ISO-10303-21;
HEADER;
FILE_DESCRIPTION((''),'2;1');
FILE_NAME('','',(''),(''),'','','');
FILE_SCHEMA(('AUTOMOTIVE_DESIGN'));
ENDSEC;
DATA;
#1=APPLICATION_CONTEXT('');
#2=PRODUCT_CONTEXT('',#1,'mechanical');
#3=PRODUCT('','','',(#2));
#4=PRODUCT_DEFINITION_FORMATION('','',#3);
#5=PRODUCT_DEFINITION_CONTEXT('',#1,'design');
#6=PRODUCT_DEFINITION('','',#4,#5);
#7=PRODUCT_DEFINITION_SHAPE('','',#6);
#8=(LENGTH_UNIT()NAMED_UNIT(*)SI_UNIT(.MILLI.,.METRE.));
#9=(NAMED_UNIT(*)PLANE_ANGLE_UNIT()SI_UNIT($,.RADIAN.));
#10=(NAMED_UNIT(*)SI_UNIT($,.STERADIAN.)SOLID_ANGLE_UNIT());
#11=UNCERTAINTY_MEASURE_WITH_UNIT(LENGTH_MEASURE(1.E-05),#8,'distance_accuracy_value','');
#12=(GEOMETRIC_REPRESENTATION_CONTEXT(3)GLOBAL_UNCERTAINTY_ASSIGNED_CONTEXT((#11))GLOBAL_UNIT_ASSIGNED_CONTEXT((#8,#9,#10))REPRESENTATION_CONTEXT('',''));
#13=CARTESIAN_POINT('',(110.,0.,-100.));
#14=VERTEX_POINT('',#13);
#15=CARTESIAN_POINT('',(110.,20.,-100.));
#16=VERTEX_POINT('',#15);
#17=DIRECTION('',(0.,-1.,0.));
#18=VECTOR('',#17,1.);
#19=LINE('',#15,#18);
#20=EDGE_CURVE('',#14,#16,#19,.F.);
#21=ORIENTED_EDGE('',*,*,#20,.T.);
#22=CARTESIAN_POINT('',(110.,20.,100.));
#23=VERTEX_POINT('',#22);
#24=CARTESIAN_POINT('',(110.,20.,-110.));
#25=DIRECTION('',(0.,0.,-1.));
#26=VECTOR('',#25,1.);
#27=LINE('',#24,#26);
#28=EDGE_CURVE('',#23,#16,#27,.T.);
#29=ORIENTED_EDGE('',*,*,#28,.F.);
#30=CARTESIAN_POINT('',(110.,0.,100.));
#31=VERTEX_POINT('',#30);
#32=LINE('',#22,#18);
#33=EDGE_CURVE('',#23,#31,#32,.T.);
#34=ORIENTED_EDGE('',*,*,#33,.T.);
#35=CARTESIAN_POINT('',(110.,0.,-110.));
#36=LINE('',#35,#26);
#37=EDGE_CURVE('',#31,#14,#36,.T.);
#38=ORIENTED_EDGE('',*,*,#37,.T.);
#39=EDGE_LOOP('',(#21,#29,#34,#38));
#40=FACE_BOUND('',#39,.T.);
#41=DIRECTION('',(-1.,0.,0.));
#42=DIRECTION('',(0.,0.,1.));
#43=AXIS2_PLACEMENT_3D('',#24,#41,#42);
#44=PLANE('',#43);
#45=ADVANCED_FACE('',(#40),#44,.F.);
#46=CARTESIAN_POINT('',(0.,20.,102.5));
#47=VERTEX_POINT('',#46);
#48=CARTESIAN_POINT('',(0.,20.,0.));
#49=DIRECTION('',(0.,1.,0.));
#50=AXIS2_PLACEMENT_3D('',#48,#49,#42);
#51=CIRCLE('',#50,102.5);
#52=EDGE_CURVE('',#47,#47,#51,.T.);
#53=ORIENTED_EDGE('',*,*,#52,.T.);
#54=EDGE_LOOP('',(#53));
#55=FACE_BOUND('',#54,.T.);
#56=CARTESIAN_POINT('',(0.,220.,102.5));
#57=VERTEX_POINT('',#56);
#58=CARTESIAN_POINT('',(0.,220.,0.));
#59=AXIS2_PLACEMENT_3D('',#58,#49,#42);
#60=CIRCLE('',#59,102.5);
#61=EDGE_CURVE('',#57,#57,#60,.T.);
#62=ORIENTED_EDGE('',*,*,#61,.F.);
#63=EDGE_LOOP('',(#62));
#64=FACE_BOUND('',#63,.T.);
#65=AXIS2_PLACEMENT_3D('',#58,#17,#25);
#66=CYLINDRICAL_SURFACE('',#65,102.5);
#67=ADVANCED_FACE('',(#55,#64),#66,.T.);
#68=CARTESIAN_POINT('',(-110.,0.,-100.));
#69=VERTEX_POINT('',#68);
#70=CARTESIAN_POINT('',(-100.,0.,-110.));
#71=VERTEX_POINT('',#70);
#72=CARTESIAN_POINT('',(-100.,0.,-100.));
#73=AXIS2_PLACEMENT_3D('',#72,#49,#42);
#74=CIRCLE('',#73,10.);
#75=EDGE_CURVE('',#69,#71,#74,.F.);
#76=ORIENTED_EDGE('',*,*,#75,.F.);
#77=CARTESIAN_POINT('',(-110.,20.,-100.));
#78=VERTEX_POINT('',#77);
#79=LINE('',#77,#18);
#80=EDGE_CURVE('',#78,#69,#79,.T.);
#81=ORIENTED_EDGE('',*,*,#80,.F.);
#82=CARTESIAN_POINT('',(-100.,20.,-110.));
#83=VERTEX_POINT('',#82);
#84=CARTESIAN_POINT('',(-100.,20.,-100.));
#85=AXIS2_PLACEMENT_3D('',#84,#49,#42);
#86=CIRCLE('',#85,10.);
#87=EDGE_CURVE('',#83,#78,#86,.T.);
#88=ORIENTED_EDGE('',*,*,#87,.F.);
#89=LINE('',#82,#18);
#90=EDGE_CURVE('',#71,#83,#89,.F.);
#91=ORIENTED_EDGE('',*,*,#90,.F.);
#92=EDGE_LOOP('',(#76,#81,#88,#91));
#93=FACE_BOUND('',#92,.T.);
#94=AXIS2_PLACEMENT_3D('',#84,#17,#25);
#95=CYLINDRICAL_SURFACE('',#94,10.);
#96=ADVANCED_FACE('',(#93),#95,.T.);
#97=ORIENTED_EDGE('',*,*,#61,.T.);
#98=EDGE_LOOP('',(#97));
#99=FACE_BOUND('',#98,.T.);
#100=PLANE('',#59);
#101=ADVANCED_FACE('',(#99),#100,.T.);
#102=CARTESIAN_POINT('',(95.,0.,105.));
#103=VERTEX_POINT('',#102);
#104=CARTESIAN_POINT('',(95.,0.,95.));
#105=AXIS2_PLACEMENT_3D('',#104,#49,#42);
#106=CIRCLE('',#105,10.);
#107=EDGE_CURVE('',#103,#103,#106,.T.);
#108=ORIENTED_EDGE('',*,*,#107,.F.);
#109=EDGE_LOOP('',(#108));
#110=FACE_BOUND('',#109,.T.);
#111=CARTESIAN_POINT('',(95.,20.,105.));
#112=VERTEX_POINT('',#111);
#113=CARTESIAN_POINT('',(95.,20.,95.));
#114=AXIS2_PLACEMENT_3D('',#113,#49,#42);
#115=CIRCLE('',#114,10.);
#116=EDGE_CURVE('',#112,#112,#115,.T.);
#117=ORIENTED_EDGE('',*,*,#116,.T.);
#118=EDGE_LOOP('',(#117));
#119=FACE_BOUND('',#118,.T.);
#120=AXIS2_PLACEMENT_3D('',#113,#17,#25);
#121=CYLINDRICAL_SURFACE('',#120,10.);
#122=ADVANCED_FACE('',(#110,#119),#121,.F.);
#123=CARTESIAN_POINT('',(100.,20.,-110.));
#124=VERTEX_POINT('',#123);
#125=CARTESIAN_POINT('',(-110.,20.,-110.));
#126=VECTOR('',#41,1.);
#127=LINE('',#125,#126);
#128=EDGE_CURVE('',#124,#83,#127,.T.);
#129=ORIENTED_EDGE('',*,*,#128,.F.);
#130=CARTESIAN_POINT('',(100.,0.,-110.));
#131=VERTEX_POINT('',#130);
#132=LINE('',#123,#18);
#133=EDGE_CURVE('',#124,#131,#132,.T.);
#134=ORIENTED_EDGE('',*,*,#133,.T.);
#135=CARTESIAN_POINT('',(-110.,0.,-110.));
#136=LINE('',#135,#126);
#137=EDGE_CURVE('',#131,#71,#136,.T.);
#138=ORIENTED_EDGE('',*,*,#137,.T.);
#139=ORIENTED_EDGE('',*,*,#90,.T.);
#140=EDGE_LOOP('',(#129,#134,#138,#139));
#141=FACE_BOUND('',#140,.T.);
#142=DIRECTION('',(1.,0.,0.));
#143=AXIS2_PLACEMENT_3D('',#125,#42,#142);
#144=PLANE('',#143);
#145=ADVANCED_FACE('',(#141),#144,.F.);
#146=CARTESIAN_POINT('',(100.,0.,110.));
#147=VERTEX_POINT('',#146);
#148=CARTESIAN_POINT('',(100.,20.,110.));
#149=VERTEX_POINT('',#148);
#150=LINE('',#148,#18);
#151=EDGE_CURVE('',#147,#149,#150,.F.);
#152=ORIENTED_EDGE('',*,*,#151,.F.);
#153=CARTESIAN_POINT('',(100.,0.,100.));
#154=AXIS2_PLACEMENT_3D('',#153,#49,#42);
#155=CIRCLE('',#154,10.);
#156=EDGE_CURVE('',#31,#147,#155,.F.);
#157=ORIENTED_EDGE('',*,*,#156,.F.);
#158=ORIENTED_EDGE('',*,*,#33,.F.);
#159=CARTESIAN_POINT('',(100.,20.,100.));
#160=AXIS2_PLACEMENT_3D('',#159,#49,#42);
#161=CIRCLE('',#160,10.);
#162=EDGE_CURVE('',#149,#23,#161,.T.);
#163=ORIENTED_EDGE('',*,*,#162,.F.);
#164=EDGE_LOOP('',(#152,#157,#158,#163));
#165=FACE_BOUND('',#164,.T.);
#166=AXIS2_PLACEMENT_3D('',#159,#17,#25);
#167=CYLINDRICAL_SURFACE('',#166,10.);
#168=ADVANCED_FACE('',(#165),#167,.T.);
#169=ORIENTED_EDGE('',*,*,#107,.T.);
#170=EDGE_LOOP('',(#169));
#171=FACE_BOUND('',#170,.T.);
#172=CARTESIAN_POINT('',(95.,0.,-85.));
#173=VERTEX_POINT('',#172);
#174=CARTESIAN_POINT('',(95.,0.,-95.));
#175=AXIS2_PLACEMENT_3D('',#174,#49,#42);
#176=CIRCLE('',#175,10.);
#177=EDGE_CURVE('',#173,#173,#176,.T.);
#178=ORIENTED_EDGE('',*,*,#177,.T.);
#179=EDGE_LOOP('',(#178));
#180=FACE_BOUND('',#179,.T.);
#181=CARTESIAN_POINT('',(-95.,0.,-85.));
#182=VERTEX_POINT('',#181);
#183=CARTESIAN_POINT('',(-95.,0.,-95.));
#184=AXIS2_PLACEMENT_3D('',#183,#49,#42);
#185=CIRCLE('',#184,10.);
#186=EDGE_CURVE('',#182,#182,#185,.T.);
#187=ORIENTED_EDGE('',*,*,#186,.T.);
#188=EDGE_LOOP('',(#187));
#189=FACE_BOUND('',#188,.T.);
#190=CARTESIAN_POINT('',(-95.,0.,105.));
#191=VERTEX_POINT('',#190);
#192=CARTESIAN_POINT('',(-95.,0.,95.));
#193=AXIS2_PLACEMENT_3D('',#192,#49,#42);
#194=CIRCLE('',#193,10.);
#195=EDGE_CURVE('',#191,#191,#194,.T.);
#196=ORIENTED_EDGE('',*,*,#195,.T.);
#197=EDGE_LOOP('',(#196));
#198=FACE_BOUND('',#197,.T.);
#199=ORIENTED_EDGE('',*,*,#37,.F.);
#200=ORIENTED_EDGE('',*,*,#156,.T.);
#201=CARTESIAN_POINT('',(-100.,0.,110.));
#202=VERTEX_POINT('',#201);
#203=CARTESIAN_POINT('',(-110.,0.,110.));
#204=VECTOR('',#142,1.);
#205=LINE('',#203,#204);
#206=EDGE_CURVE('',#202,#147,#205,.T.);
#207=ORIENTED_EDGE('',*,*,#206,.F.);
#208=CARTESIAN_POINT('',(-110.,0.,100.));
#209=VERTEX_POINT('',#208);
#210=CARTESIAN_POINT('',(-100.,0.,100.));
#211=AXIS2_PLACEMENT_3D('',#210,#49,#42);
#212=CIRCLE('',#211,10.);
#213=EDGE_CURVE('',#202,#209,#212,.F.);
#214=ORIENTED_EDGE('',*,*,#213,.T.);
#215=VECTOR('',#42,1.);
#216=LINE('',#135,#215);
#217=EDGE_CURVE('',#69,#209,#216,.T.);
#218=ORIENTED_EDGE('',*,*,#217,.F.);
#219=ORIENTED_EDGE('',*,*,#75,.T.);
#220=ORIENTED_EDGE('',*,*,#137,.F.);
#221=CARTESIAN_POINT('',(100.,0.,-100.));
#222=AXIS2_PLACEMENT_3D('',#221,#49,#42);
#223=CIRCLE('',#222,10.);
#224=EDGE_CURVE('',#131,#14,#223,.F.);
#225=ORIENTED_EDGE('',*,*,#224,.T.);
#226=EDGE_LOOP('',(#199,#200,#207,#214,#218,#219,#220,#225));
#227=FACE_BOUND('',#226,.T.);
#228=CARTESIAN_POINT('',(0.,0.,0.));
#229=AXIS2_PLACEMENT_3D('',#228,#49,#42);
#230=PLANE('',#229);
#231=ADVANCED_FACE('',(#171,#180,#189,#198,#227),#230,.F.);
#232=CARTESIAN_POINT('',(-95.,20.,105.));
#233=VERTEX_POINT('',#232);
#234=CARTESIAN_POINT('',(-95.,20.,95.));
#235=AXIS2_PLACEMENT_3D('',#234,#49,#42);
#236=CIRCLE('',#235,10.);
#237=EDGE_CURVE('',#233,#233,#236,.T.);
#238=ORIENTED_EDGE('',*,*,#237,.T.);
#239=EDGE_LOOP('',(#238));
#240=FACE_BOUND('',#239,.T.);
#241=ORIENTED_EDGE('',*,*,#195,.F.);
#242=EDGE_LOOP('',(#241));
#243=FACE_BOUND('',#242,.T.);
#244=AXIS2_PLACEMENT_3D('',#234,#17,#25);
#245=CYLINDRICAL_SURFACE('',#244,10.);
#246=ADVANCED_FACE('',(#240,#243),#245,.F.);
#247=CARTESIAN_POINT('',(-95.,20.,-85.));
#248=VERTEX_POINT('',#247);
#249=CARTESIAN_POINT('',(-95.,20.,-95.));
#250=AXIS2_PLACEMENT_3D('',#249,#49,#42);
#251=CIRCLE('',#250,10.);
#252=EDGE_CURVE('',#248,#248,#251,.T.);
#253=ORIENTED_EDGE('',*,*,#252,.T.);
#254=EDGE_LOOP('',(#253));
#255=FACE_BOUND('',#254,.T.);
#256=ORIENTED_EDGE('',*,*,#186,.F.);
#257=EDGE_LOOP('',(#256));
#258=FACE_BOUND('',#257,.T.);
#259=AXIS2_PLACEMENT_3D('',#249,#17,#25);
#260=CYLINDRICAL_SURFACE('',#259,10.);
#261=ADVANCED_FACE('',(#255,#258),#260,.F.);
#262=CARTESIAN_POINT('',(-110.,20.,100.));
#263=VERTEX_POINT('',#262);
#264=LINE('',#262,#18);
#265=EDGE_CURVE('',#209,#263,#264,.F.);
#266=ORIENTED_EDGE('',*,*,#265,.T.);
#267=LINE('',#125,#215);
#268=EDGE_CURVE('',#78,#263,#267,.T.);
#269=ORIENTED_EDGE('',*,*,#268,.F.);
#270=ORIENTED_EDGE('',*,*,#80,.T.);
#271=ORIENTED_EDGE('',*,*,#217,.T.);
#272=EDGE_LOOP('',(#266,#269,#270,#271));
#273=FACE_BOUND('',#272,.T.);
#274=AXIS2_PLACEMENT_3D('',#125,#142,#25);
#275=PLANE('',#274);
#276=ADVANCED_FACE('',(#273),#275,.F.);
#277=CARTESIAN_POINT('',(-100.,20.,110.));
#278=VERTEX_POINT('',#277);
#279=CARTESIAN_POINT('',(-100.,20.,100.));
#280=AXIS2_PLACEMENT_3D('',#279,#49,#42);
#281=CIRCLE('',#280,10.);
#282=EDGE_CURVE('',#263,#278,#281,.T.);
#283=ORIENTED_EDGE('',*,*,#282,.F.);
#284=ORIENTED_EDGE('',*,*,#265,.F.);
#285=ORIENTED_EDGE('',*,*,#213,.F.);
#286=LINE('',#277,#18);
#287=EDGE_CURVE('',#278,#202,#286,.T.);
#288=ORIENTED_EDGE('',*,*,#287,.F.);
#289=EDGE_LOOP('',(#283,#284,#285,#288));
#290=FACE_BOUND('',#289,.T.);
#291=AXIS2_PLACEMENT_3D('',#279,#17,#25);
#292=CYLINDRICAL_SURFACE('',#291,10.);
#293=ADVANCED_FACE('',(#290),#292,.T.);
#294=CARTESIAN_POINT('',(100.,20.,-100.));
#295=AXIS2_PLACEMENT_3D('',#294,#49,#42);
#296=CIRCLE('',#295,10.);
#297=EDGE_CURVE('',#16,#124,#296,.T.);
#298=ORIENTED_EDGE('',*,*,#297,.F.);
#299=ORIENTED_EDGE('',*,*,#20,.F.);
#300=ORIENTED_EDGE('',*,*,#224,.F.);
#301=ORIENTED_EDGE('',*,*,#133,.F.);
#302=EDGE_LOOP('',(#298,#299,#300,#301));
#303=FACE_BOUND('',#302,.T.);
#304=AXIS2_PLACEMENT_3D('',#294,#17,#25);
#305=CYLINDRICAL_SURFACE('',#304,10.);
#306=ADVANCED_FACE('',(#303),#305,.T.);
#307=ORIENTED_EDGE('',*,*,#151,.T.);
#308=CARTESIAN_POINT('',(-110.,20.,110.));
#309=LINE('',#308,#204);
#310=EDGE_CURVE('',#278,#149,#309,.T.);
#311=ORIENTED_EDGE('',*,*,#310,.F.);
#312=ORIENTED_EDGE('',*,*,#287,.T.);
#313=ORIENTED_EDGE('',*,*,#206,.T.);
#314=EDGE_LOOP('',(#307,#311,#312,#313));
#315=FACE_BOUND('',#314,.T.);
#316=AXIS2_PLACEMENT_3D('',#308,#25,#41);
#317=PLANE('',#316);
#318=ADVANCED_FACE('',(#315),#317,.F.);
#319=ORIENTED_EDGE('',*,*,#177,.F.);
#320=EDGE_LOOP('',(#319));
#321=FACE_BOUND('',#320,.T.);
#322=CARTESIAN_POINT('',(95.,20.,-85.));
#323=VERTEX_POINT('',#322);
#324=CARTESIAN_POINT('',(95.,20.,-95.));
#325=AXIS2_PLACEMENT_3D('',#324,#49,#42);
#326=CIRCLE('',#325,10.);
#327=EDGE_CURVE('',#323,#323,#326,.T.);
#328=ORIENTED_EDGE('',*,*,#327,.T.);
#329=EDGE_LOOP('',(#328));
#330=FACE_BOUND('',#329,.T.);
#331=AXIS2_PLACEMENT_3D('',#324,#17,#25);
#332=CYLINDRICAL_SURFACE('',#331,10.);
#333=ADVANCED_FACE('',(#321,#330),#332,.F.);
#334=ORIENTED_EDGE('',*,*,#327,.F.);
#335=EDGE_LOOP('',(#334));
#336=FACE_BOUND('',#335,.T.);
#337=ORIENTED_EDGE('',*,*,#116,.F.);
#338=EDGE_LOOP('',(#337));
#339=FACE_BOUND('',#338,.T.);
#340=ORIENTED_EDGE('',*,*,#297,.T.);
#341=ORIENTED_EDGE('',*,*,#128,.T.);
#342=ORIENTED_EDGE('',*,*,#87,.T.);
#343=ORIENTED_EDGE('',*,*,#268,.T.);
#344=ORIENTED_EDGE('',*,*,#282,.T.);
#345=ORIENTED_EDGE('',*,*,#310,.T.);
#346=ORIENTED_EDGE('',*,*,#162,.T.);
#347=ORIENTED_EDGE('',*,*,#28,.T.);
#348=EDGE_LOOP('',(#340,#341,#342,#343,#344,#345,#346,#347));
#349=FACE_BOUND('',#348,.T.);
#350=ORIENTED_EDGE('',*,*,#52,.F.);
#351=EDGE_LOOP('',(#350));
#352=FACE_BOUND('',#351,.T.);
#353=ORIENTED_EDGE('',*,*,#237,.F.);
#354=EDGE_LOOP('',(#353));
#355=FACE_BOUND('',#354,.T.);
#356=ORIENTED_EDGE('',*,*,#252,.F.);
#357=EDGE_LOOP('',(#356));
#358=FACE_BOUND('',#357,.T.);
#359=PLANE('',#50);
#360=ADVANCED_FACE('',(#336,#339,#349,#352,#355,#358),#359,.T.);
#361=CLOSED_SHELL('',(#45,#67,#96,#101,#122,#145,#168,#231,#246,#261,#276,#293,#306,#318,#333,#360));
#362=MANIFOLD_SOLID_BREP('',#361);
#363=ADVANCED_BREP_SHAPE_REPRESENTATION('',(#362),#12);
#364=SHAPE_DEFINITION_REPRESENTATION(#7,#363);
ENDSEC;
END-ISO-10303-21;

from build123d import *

# Parameters (mm, degrees)
SKETCH1_W           = 220
SKETCH1_H           = 220
SKETCH1_R           = 10
BOSS_EXTRUDE2_DEPTH = 20
FILLET5_R           = 10
SKETCH6_R           = 102.5
BOSS_EXTRUDE3_DEPTH = 200


with BuildPart() as part:
    # Sketch1 → Boss-Extrude2 (new body)
    with BuildSketch(Plane(origin=(0, 0, 0), x_dir=(1, 0, 0), z_dir=(0, 1, 0))):
        Rectangle(SKETCH1_W, SKETCH1_H)
        with Locations(Location((-95, 95, 0), (0, 0, 270))):
            Circle(SKETCH1_R, mode=Mode.SUBTRACT)
        with Locations(Location((95, 95, 0), (0, 0, 270))):
            Circle(SKETCH1_R, mode=Mode.SUBTRACT)
        with Locations(Location((95, -95, 0), (0, 0, 270))):
            Circle(SKETCH1_R, mode=Mode.SUBTRACT)
        with Locations(Location((-95, -95, 0), (0, 0, 270))):
            Circle(SKETCH1_R, mode=Mode.SUBTRACT)
    extrude(amount=BOSS_EXTRUDE2_DEPTH)

    # Fillet5
    fillet5_edges = [part.edges().sort_by_distance(p)[0] for p in [
        (110, 10, 110),
        (-110, 10, 110),
        (-110, 10, -110),
        (110, 10, -110),
    ]]
    fillet(fillet5_edges, radius=FILLET5_R)

    # Sketch6 → Boss-Extrude3 (add)
    with BuildSketch(Plane(origin=(0, 20, 0), x_dir=(1, 0, 0), z_dir=(0, 1, 0))):
        with Locations(Location((0, 0, 0), (0, 0, 270))):
            Circle(SKETCH6_R)
    extrude(amount=BOSS_EXTRUDE3_DEPTH)


solid = part.part
